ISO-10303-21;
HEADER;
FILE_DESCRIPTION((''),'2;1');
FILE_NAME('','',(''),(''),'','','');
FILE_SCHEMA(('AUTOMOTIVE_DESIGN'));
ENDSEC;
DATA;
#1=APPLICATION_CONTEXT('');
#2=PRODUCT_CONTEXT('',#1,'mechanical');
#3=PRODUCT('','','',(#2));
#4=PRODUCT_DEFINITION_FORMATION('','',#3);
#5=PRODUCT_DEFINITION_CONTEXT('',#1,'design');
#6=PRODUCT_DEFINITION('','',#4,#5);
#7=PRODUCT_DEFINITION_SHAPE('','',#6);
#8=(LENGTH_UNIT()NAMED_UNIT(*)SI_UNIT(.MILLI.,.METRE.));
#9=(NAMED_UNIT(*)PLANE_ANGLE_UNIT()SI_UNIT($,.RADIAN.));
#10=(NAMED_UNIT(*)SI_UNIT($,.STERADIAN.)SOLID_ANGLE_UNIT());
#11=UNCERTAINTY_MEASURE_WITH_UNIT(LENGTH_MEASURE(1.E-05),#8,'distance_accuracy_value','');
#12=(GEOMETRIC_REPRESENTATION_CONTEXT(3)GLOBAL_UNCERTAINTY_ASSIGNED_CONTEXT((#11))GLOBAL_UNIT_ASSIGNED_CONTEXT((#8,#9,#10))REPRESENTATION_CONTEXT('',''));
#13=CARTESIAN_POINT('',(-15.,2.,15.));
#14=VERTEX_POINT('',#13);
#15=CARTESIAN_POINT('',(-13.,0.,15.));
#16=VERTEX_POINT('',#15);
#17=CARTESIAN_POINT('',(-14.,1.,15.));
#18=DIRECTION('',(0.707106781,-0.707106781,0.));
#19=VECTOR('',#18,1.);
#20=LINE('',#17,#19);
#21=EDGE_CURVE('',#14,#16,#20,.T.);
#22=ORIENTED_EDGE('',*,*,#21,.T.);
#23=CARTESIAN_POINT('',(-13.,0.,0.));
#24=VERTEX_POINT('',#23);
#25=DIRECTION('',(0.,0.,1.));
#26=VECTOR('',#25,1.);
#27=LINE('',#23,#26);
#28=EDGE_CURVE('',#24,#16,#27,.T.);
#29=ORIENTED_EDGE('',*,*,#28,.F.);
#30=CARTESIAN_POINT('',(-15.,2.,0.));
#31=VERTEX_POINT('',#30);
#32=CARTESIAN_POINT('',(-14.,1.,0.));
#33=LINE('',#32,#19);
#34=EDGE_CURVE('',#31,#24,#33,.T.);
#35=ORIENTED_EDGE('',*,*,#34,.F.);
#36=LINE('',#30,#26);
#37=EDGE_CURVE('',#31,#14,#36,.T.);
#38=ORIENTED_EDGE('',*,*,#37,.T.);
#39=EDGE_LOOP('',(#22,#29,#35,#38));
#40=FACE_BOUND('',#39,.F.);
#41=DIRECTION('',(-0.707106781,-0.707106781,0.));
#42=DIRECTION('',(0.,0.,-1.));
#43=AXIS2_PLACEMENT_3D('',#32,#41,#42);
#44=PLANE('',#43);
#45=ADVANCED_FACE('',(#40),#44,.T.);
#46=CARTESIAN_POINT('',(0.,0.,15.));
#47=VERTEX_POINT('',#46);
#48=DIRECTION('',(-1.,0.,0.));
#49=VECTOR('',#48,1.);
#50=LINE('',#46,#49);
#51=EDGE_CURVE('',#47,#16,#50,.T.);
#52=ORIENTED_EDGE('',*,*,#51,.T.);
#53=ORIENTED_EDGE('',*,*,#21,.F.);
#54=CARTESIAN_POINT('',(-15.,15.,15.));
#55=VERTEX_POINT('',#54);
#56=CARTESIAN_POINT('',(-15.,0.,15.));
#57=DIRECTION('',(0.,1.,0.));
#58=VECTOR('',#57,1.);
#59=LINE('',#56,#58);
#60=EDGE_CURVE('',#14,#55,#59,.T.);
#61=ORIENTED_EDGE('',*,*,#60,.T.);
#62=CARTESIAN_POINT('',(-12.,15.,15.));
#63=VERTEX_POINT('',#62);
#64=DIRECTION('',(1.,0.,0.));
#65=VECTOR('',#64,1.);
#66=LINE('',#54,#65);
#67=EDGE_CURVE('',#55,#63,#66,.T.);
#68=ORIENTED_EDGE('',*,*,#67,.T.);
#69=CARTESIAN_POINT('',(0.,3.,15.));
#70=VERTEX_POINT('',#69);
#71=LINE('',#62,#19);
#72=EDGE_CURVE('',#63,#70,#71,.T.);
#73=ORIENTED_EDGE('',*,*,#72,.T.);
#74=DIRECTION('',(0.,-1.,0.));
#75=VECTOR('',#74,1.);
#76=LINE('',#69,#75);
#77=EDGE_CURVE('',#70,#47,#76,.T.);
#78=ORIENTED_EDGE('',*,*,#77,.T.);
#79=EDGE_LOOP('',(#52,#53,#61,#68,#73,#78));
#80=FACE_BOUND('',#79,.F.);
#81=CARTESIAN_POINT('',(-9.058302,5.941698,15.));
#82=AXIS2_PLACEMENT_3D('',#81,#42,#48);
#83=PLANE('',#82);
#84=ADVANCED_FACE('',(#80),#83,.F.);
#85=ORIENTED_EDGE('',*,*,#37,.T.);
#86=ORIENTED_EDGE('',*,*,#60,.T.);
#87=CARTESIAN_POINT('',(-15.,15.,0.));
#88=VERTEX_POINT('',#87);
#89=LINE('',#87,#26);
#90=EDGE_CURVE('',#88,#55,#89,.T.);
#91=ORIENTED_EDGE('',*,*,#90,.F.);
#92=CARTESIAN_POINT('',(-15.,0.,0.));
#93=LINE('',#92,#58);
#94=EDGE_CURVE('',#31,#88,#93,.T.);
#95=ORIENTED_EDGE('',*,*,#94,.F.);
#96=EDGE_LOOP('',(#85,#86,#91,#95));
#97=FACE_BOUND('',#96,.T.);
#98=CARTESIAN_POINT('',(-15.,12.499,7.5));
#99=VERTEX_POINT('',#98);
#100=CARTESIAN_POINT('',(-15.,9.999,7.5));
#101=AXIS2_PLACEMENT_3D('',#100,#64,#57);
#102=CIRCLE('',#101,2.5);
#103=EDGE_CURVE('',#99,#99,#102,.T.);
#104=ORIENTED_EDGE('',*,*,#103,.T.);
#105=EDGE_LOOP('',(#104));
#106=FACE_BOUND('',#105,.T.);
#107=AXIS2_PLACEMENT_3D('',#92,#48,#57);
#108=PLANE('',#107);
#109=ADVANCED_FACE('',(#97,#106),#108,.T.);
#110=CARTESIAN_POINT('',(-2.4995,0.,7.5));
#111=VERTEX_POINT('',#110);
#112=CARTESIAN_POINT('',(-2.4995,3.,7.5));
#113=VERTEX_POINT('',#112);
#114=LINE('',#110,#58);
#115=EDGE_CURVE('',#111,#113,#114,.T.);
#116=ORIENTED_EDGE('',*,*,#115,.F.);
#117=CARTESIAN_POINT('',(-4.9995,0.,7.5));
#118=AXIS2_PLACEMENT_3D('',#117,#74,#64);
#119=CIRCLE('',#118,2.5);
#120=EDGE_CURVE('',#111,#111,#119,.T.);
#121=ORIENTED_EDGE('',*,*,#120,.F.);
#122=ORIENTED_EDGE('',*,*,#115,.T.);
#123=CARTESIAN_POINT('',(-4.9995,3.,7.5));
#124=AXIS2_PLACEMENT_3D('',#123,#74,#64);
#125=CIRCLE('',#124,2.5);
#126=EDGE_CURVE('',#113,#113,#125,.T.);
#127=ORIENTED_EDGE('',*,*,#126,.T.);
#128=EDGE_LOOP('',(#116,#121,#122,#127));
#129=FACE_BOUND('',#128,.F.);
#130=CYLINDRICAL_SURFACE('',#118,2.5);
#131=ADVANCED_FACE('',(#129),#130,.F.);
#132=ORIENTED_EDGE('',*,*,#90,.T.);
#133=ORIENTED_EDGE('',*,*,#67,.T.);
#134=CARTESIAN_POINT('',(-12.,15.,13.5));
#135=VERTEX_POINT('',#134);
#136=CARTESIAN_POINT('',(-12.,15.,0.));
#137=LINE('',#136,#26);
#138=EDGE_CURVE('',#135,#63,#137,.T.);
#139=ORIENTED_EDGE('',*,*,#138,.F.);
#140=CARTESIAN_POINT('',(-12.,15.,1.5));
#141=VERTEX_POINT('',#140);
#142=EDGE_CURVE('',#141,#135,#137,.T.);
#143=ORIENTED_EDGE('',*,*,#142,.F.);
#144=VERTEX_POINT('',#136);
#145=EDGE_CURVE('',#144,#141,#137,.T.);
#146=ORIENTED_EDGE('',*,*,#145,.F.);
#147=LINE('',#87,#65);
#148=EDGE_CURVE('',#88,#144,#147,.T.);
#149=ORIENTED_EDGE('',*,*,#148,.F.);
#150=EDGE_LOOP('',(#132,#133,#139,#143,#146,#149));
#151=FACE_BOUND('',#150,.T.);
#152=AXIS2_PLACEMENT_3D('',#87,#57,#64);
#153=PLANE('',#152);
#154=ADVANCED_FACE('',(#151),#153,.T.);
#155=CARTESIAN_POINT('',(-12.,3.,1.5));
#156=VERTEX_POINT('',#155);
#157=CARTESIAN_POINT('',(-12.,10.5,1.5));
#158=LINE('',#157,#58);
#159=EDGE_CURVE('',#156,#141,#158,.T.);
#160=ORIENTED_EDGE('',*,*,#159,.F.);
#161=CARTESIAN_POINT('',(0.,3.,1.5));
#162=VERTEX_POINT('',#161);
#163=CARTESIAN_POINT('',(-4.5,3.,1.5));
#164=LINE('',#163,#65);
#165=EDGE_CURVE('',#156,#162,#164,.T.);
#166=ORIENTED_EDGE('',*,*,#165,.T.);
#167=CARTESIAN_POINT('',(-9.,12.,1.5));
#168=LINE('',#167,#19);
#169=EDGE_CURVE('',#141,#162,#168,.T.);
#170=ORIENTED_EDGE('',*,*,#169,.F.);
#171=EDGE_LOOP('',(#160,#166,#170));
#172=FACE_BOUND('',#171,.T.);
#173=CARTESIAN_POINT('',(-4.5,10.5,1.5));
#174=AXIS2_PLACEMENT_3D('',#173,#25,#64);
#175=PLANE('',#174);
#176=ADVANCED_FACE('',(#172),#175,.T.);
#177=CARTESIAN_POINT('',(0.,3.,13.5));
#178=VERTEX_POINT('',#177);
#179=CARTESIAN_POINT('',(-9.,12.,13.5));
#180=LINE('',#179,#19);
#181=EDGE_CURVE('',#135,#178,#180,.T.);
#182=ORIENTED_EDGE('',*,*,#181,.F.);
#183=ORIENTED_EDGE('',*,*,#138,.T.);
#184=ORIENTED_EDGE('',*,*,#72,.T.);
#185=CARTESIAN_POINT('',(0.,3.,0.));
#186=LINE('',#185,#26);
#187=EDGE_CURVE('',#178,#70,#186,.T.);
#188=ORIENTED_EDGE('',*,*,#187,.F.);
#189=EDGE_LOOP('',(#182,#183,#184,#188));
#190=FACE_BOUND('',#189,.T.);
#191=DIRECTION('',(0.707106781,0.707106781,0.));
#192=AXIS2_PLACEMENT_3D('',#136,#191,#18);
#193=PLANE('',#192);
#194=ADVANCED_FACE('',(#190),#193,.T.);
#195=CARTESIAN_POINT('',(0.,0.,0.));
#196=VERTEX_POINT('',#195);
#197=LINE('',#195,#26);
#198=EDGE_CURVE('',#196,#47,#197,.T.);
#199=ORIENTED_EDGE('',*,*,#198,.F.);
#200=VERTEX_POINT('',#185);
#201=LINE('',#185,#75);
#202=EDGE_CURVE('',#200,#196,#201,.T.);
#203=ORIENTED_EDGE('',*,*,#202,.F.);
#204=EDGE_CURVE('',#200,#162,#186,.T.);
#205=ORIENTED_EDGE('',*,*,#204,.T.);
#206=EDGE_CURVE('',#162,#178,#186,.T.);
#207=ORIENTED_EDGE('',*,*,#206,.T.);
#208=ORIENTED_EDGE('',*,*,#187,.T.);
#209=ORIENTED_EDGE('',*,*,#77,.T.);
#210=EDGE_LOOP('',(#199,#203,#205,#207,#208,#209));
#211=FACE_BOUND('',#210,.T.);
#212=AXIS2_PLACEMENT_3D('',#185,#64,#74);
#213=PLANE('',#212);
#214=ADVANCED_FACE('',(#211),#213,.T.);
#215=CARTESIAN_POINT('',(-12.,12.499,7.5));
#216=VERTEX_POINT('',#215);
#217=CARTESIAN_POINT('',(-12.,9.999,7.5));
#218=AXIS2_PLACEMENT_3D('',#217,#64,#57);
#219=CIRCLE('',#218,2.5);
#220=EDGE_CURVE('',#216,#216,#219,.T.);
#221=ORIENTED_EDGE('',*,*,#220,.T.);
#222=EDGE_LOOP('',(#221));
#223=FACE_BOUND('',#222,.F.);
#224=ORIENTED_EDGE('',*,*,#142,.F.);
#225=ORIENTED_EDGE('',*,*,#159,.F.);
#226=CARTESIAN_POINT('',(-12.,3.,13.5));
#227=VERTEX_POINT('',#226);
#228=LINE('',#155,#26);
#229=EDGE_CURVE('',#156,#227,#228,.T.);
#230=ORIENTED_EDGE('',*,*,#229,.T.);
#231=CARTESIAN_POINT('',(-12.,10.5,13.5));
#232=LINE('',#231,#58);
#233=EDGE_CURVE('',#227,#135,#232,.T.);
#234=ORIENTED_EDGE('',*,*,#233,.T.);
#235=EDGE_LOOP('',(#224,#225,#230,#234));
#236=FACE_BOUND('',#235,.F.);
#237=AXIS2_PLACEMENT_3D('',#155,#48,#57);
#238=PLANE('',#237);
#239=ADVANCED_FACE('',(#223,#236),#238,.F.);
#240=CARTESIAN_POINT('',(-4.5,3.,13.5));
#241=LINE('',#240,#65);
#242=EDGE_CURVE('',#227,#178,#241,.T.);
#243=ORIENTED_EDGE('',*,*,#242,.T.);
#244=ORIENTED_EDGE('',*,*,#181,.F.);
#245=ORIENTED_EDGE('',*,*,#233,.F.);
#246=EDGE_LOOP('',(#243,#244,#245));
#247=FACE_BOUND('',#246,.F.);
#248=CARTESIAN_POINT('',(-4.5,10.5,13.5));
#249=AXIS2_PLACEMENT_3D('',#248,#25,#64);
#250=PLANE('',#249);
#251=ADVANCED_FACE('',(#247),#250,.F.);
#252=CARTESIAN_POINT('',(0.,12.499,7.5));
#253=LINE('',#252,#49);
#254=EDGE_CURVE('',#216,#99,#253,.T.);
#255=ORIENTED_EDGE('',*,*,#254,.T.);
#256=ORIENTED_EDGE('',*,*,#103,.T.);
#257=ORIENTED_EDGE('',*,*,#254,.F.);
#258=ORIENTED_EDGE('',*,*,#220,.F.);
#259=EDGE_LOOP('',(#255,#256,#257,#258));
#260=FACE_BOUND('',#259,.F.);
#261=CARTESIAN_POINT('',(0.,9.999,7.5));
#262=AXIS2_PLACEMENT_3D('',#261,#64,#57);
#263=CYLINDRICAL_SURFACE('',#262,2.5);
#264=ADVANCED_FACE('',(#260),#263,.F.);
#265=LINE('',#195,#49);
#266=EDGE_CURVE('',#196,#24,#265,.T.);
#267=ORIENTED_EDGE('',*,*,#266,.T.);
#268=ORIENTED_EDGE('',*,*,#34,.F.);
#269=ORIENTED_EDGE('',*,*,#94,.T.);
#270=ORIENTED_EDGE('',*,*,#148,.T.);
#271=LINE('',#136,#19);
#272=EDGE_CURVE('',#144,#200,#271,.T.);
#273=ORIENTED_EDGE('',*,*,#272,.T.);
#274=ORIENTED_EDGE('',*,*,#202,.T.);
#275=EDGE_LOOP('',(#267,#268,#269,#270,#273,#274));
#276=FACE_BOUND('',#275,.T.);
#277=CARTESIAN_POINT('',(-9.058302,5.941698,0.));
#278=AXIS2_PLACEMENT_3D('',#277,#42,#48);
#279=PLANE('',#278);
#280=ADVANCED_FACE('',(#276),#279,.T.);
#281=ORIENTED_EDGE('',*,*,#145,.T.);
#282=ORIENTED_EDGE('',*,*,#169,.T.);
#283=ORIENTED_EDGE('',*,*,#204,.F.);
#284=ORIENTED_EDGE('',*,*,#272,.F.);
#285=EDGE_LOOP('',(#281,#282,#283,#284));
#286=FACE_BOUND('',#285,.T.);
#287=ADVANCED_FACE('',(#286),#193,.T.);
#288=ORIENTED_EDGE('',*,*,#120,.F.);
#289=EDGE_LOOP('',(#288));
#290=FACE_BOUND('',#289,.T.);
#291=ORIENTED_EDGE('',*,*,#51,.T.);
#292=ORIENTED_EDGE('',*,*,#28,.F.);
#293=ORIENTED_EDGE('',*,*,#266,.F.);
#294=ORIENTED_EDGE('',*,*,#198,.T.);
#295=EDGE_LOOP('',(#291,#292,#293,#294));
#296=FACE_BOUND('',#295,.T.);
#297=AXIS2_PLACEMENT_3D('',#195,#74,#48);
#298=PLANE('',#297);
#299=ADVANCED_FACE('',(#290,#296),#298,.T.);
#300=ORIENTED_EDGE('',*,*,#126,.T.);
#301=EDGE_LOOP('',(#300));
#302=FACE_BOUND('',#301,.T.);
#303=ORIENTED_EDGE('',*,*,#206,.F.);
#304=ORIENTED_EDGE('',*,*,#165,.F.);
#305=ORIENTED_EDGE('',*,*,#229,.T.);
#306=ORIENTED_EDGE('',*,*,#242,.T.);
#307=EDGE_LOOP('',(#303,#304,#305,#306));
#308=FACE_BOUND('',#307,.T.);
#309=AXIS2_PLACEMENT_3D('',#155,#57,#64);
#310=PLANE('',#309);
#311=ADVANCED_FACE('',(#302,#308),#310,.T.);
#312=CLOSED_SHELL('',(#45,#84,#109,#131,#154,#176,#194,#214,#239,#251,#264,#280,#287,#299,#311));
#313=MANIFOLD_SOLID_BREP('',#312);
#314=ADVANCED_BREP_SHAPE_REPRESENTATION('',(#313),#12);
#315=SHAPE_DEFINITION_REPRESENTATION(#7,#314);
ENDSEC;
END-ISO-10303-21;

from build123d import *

# Parameters (mm, degrees)
PAD_DEPTH       = 15
SKETCH001_W     = 15
SKETCH001_H     = 15
POCKET_DEPTH    = 12
SKETCH002_R     = 2.5
POCKET001_DEPTH = 5
SKETCH003_R     = 2.5
POCKET002_DEPTH = 19
CHAMFER_SIZE    = 2


with BuildPart() as part:
    # Sketch → Pad (new body)
    with BuildSketch(Plane.XY):
        Polygon((-15, 15), (-12, 15), (0, 3), (0, 0), (-15, 0), align=None)
    extrude(amount=PAD_DEPTH)

    # Sketch001 → Pocket (cut)
    with BuildSketch(Plane.XY.offset(1.5)):
        with Locations((-4.5, 10.5)):
            Rectangle(SKETCH001_W, SKETCH001_H)
    extrude(amount=POCKET_DEPTH, mode=Mode.SUBTRACT)

    # Sketch002 → Pocket001 (cut)
    with BuildSketch(Plane.XZ):
        with Locations((-4.9995, 7.5)):
            Circle(SKETCH002_R)
    extrude(amount=-POCKET001_DEPTH, mode=Mode.SUBTRACT)

    # Sketch003 → Pocket002 (cut)
    with BuildSketch(Plane.YZ):
        with Locations((9.999, 7.5)):
            Circle(SKETCH003_R)
    extrude(amount=-POCKET002_DEPTH, mode=Mode.SUBTRACT)

    # Chamfer
    chamfer_edges = [part.edges().sort_by_distance(p)[0] for p in [
        (-15, 0, 7.5),
    ]]
    chamfer(chamfer_edges, length=CHAMFER_SIZE)


solid = part.part
